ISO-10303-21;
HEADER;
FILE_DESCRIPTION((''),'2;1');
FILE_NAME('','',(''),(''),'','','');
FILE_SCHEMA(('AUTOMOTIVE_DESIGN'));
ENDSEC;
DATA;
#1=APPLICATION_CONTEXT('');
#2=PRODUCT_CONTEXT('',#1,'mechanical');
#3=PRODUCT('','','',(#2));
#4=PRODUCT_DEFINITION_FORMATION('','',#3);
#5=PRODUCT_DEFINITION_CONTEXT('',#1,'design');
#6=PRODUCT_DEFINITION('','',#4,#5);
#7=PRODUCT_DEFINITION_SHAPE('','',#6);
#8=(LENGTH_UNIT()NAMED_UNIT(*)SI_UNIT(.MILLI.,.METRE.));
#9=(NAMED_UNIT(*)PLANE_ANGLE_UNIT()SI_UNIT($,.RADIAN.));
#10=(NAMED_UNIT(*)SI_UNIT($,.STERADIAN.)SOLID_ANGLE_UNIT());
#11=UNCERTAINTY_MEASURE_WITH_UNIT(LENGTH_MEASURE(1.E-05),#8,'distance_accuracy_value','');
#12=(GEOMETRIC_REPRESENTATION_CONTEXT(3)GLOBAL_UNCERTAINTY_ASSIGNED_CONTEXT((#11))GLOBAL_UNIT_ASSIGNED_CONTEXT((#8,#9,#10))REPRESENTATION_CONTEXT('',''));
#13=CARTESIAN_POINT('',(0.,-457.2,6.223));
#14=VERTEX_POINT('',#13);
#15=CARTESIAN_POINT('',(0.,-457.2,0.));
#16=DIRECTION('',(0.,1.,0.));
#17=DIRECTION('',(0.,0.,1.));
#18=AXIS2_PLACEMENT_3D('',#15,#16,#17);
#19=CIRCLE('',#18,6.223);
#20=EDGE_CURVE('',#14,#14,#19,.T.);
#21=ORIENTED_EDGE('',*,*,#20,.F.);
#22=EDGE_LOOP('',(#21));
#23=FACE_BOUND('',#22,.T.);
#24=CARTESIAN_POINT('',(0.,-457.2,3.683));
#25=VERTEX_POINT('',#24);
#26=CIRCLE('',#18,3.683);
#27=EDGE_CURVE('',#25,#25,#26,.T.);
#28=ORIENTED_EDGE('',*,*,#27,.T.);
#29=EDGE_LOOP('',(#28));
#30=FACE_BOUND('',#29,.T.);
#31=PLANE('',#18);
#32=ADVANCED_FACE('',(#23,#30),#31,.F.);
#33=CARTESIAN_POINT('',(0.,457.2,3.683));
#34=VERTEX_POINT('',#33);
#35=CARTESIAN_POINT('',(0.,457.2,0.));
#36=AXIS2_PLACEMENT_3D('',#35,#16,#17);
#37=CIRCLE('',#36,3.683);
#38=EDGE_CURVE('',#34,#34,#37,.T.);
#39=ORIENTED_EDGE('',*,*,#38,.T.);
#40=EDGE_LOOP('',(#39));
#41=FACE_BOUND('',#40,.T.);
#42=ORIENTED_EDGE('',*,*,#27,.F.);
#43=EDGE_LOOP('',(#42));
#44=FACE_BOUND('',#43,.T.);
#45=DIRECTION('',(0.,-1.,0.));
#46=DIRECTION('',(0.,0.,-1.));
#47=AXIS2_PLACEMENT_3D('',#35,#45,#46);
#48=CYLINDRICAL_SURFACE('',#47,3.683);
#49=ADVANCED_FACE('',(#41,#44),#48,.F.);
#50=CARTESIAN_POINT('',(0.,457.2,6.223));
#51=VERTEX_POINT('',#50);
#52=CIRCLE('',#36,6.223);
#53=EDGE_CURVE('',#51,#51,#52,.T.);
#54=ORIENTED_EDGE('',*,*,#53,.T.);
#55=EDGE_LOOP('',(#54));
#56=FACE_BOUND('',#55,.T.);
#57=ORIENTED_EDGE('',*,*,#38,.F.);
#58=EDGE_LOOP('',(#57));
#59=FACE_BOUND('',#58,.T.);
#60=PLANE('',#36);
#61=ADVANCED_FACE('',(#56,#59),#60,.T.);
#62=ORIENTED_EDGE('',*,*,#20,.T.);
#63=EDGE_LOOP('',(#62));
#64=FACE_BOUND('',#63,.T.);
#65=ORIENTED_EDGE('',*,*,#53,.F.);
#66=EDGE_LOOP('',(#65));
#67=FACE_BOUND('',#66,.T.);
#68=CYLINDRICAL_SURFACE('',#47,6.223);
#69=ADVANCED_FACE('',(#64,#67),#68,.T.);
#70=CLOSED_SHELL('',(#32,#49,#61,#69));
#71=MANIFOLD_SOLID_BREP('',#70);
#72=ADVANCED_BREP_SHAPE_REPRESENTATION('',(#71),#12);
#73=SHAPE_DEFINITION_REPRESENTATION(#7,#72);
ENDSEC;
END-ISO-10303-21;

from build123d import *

# Parameters (mm, degrees)
SKETCH1_R           = 6.223
SKETCH1_R_2         = 3.683
BOSS_EXTRUDE1_DEPTH = 457.2


with BuildPart() as part:
    # Sketch1 → Boss-Extrude1 (new body, symmetric)
    with BuildSketch(Plane(origin=(0, 0, 0), x_dir=(1, 0, 0), z_dir=(0, 1, 0))):
        Circle(SKETCH1_R)
        Circle(SKETCH1_R_2, mode=Mode.SUBTRACT)
    extrude(amount=BOSS_EXTRUDE1_DEPTH, both=True)


solid = part.part
